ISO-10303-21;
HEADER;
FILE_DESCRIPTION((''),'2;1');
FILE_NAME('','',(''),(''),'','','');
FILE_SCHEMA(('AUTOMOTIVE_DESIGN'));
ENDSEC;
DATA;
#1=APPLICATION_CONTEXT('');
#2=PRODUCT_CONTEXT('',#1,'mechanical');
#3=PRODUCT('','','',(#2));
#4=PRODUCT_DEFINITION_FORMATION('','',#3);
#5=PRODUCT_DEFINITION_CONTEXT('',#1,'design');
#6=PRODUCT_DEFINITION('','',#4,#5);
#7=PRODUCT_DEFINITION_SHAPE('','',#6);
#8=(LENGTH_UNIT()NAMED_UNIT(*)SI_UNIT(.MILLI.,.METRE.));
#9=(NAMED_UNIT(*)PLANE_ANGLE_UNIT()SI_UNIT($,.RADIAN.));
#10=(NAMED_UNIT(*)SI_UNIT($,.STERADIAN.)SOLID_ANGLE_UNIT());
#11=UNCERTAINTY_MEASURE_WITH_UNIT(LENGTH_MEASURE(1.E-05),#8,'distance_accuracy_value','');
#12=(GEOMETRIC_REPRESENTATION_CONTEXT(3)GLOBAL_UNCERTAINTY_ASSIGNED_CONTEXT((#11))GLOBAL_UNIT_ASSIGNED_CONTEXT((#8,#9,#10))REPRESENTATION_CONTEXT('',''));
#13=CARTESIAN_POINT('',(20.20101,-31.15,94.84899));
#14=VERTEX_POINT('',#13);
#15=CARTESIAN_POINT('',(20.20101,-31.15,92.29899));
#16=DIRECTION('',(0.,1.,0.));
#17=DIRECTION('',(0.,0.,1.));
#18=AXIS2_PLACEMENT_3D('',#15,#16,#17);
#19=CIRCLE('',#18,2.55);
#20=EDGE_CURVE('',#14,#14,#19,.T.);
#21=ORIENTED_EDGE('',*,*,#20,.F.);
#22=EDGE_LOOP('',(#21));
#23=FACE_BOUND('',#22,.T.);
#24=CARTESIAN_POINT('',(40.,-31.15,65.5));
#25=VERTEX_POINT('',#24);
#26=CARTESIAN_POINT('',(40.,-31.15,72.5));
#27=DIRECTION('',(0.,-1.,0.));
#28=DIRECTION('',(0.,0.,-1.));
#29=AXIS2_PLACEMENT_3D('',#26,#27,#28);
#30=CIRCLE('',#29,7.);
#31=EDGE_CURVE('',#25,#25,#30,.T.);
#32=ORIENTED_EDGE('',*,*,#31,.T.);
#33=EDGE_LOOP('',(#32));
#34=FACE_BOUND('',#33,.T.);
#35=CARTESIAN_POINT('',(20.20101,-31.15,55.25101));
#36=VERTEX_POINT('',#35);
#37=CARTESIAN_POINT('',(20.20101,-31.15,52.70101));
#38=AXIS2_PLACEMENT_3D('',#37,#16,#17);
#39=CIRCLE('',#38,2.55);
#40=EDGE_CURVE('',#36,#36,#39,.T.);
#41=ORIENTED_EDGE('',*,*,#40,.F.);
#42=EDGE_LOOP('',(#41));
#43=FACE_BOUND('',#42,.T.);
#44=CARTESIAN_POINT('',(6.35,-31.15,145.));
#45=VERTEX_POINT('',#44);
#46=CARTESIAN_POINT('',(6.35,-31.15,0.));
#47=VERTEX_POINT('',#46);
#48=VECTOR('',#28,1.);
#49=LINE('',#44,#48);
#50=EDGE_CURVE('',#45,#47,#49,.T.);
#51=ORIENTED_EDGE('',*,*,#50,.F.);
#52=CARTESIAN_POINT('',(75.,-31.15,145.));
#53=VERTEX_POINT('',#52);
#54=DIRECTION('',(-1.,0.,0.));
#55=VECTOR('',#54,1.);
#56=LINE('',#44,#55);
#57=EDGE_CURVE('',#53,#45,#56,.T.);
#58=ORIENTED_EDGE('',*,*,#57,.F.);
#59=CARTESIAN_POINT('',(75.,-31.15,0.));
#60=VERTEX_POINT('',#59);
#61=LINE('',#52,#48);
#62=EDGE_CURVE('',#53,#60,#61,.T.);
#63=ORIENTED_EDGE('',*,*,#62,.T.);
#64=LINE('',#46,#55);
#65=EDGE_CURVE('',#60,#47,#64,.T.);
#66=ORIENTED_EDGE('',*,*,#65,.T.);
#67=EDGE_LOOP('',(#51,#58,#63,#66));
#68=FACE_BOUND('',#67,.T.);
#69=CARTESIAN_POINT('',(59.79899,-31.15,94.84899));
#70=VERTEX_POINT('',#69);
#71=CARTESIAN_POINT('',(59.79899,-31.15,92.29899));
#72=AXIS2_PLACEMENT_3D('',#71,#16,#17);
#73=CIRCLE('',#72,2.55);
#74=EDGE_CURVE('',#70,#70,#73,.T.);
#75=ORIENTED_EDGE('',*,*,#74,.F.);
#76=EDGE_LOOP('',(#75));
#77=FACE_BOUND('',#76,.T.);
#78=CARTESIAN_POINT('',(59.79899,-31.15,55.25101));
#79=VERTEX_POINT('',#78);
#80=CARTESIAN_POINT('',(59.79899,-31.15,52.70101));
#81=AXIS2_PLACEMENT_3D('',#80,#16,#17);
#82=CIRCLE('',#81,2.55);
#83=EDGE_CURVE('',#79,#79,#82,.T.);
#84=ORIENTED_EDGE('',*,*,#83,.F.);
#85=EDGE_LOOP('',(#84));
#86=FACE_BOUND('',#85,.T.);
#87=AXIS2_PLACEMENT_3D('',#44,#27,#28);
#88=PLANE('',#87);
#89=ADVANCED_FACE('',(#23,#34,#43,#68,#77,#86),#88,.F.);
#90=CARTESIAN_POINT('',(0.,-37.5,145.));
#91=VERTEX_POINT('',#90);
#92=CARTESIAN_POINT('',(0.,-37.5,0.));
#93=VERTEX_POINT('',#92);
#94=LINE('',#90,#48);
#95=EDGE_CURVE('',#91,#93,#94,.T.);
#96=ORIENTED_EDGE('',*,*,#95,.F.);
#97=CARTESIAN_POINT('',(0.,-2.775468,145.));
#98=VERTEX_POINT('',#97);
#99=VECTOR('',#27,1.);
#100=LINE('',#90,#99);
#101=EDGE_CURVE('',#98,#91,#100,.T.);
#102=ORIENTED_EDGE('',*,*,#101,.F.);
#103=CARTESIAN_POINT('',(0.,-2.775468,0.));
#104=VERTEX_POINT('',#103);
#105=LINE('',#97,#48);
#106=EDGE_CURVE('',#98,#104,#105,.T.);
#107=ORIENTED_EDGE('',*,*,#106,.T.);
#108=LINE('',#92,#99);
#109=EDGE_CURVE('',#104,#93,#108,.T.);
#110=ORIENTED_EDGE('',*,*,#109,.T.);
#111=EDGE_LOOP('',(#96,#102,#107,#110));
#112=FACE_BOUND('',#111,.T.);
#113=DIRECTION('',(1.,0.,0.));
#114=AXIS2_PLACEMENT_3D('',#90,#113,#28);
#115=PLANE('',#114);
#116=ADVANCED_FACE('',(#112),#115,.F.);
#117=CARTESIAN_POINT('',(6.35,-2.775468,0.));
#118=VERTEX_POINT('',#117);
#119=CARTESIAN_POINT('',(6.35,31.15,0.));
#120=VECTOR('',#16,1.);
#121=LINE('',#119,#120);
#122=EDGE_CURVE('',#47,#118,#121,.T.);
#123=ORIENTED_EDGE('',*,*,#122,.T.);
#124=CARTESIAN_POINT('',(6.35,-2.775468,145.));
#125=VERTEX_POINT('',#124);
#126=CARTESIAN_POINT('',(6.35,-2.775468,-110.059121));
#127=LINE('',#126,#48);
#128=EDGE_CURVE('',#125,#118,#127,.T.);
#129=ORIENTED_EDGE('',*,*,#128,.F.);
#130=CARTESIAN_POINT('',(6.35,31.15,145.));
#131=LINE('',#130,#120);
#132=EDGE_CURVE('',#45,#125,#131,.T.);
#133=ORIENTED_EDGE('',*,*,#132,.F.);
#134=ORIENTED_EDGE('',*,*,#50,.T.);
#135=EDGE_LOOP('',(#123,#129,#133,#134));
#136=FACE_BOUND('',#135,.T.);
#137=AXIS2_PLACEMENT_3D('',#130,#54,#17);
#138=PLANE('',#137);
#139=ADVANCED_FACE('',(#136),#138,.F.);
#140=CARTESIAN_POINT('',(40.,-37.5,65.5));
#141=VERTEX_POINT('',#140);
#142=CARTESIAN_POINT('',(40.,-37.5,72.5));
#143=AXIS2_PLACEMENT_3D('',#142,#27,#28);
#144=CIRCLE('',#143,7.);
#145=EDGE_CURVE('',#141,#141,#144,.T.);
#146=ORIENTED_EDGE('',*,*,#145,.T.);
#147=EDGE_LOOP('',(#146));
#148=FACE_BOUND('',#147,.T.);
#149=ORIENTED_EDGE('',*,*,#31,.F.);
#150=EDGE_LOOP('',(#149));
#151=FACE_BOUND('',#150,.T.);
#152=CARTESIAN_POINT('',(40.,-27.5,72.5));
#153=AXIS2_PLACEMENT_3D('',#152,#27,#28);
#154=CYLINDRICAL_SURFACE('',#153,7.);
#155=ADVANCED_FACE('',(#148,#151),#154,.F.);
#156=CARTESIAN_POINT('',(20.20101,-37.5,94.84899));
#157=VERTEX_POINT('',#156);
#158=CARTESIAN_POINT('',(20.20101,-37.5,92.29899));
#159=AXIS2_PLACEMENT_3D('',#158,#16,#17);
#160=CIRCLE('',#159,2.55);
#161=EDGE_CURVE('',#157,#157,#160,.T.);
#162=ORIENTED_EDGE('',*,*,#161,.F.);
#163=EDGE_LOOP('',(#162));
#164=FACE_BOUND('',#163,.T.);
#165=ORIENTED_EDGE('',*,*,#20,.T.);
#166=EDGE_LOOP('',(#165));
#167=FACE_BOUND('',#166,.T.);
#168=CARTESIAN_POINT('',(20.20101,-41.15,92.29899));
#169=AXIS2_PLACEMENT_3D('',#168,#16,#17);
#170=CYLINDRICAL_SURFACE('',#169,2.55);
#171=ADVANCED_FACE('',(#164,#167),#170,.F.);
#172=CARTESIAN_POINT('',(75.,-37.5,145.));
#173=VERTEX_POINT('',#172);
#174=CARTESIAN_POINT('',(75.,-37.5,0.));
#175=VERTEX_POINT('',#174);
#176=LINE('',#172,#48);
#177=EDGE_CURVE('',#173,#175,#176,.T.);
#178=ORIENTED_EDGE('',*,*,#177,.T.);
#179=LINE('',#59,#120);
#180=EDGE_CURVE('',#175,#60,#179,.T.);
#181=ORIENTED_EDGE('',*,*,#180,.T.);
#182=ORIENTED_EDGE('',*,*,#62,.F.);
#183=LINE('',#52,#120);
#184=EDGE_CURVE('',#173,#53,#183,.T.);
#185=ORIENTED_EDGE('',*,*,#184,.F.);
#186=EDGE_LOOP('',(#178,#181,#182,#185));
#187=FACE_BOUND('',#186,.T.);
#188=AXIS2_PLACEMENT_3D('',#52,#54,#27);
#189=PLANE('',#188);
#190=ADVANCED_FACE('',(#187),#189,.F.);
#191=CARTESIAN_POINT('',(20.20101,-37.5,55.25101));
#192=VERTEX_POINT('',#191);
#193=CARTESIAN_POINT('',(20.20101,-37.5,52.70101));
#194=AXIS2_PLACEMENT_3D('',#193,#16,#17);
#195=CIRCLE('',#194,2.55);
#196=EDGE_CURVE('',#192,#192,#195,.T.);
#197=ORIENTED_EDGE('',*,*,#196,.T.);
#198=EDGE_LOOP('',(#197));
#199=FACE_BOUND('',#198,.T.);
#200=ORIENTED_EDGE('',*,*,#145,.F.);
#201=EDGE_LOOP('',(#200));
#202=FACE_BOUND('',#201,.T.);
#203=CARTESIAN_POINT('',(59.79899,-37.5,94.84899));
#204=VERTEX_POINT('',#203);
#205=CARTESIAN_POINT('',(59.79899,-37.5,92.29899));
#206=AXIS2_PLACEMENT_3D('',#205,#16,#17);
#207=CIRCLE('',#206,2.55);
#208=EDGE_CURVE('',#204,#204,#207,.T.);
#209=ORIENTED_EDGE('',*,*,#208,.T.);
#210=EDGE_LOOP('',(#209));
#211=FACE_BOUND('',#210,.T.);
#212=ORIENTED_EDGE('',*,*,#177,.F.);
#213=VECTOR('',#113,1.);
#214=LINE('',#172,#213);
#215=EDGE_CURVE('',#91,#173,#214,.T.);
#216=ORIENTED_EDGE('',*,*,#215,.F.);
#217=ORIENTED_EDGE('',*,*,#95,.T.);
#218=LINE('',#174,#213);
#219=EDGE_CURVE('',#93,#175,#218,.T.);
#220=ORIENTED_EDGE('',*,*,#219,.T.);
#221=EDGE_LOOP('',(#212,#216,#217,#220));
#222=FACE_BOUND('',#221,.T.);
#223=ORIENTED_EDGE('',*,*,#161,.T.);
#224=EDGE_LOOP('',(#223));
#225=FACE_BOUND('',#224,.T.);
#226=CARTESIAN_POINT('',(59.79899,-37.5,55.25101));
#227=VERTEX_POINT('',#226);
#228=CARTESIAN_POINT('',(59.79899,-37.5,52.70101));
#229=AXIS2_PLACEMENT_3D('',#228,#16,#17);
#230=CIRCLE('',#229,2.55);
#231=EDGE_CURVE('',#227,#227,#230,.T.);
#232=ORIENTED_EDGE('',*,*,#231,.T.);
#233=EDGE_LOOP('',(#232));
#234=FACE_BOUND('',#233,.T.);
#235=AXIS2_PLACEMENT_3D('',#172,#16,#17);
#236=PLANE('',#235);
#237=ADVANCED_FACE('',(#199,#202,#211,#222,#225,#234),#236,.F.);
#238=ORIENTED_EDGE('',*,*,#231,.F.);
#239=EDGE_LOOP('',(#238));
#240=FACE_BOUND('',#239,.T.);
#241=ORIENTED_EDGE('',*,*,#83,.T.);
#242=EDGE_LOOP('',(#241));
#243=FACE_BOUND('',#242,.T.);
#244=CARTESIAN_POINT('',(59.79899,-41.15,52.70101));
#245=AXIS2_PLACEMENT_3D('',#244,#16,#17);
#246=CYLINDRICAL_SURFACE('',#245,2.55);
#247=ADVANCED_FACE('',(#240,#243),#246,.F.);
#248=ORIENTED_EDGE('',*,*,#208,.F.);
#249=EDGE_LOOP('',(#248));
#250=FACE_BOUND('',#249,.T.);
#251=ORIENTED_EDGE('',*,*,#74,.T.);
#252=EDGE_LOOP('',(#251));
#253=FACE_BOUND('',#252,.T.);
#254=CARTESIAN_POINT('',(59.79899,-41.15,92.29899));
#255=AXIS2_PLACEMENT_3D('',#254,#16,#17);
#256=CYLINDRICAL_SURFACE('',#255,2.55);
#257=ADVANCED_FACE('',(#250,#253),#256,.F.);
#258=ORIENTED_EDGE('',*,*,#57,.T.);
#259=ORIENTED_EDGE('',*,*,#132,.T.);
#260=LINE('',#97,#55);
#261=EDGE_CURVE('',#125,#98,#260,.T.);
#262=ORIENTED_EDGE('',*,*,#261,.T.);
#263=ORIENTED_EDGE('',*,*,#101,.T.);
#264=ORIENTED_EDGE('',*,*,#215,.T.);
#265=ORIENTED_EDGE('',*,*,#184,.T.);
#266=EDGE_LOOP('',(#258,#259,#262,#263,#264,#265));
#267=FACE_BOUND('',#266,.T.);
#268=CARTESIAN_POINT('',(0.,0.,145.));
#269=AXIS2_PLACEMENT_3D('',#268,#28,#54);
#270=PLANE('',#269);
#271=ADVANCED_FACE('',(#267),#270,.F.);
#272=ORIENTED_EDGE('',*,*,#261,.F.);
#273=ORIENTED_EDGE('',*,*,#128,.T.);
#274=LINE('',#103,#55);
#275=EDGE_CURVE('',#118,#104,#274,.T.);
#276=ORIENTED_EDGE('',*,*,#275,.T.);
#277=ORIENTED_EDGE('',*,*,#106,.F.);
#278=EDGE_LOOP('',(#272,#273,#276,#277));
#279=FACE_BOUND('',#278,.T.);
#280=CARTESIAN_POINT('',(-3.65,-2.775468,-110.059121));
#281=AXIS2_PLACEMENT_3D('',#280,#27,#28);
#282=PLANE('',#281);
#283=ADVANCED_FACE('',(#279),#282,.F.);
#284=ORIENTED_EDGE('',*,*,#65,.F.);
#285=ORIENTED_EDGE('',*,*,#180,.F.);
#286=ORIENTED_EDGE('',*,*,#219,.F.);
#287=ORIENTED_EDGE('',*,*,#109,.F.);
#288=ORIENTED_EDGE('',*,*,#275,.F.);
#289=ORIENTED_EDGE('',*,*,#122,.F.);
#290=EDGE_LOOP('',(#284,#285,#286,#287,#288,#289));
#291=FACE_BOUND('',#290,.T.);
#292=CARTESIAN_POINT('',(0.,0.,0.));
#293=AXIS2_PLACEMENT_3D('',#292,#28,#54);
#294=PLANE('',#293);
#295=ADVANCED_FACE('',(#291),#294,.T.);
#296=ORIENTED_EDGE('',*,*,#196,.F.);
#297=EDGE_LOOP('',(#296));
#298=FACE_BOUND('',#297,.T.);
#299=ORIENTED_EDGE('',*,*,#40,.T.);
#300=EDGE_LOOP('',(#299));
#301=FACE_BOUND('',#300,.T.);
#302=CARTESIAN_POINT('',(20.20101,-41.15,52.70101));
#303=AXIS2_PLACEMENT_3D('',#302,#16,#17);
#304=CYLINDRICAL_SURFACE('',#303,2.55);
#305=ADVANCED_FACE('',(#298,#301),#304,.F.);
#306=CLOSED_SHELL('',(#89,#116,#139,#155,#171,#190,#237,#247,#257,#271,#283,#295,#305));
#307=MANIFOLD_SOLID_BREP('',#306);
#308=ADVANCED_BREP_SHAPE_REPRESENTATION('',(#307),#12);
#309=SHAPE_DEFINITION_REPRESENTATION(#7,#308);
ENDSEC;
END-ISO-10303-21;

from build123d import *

# Parameters (mm, degrees)
BOSS_EXTRUDE1_DEPTH = 145
SKETCH2_W           = 68.65
SKETCH2_H           = 145
CUT_EXTRUDE1_DEPTH  = 10
SKETCH3_R           = 7
CUT_EXTRUDE2_DEPTH  = 10
SKETCH4_R           = 2.55
CUT_EXTRUDE3_DEPTH  = 10
SKETCH5_W           = 278.618693002
SKETCH5_H           = 61.467749786
CUT_EXTRUDE4_DEPTH  = 10


with BuildPart() as part:
    # Sketch1 → Boss-Extrude1 (new body)
    with BuildSketch(Plane.XY):
        Polygon((0, -37.5), (0, 37.5), (75, 37.5), (75, 31.15), (6.35, 31.15), (6.35, -31.15), (75, -31.15), (75, -37.5), align=None)
    extrude(amount=BOSS_EXTRUDE1_DEPTH)

    # Sketch2 → Cut-Extrude1 (cut)
    with BuildSketch(Plane(origin=(0, 37.5, 0), x_dir=(1, 0, 0), z_dir=(0, 1, 0))):
        with Locations((40.675, -72.5)):
            Rectangle(SKETCH2_W, SKETCH2_H)
    extrude(amount=-CUT_EXTRUDE1_DEPTH, mode=Mode.SUBTRACT)

    # Sketch3 → Cut-Extrude2 (cut)
    with BuildSketch(Plane.XZ.offset(37.5)):
        with Locations(Location((40, 72.5, 0), (0, 0, 270))):
            Circle(SKETCH3_R)
    extrude(amount=-CUT_EXTRUDE2_DEPTH, mode=Mode.SUBTRACT)

    # Sketch4 → Cut-Extrude3 (cut)
    with BuildSketch(Plane(origin=(0, -31.15, 0), x_dir=(1, 0, 0), z_dir=(0, 1, 0))):
        with Locations(Location((59.798989873, -52.701010127, 0), (0, 0, 270))):
            Circle(SKETCH4_R)
        with Locations(Location((59.798989873, -92.298989873, 0), (0, 0, 270))):
            Circle(SKETCH4_R)
        with Locations(Location((20.201010127, -92.298989873, 0), (0, 0, 270))):
            Circle(SKETCH4_R)
        with Locations(Location((20.201010127, -52.701010127, 0), (0, 0, 270))):
            Circle(SKETCH4_R)
    extrude(amount=-CUT_EXTRUDE3_DEPTH, mode=Mode.SUBTRACT)

    # Sketch5 → Cut-Extrude4 (cut)
    with BuildSketch(Plane(origin=(6.35, 0, 0), x_dir=(0, 0, -1), z_dir=(1, 0, 0))):
        with Locations((-29.250225685, 27.958406515)):
            Rectangle(SKETCH5_W, SKETCH5_H)
    extrude(amount=-CUT_EXTRUDE4_DEPTH, mode=Mode.SUBTRACT)


solid = part.part
